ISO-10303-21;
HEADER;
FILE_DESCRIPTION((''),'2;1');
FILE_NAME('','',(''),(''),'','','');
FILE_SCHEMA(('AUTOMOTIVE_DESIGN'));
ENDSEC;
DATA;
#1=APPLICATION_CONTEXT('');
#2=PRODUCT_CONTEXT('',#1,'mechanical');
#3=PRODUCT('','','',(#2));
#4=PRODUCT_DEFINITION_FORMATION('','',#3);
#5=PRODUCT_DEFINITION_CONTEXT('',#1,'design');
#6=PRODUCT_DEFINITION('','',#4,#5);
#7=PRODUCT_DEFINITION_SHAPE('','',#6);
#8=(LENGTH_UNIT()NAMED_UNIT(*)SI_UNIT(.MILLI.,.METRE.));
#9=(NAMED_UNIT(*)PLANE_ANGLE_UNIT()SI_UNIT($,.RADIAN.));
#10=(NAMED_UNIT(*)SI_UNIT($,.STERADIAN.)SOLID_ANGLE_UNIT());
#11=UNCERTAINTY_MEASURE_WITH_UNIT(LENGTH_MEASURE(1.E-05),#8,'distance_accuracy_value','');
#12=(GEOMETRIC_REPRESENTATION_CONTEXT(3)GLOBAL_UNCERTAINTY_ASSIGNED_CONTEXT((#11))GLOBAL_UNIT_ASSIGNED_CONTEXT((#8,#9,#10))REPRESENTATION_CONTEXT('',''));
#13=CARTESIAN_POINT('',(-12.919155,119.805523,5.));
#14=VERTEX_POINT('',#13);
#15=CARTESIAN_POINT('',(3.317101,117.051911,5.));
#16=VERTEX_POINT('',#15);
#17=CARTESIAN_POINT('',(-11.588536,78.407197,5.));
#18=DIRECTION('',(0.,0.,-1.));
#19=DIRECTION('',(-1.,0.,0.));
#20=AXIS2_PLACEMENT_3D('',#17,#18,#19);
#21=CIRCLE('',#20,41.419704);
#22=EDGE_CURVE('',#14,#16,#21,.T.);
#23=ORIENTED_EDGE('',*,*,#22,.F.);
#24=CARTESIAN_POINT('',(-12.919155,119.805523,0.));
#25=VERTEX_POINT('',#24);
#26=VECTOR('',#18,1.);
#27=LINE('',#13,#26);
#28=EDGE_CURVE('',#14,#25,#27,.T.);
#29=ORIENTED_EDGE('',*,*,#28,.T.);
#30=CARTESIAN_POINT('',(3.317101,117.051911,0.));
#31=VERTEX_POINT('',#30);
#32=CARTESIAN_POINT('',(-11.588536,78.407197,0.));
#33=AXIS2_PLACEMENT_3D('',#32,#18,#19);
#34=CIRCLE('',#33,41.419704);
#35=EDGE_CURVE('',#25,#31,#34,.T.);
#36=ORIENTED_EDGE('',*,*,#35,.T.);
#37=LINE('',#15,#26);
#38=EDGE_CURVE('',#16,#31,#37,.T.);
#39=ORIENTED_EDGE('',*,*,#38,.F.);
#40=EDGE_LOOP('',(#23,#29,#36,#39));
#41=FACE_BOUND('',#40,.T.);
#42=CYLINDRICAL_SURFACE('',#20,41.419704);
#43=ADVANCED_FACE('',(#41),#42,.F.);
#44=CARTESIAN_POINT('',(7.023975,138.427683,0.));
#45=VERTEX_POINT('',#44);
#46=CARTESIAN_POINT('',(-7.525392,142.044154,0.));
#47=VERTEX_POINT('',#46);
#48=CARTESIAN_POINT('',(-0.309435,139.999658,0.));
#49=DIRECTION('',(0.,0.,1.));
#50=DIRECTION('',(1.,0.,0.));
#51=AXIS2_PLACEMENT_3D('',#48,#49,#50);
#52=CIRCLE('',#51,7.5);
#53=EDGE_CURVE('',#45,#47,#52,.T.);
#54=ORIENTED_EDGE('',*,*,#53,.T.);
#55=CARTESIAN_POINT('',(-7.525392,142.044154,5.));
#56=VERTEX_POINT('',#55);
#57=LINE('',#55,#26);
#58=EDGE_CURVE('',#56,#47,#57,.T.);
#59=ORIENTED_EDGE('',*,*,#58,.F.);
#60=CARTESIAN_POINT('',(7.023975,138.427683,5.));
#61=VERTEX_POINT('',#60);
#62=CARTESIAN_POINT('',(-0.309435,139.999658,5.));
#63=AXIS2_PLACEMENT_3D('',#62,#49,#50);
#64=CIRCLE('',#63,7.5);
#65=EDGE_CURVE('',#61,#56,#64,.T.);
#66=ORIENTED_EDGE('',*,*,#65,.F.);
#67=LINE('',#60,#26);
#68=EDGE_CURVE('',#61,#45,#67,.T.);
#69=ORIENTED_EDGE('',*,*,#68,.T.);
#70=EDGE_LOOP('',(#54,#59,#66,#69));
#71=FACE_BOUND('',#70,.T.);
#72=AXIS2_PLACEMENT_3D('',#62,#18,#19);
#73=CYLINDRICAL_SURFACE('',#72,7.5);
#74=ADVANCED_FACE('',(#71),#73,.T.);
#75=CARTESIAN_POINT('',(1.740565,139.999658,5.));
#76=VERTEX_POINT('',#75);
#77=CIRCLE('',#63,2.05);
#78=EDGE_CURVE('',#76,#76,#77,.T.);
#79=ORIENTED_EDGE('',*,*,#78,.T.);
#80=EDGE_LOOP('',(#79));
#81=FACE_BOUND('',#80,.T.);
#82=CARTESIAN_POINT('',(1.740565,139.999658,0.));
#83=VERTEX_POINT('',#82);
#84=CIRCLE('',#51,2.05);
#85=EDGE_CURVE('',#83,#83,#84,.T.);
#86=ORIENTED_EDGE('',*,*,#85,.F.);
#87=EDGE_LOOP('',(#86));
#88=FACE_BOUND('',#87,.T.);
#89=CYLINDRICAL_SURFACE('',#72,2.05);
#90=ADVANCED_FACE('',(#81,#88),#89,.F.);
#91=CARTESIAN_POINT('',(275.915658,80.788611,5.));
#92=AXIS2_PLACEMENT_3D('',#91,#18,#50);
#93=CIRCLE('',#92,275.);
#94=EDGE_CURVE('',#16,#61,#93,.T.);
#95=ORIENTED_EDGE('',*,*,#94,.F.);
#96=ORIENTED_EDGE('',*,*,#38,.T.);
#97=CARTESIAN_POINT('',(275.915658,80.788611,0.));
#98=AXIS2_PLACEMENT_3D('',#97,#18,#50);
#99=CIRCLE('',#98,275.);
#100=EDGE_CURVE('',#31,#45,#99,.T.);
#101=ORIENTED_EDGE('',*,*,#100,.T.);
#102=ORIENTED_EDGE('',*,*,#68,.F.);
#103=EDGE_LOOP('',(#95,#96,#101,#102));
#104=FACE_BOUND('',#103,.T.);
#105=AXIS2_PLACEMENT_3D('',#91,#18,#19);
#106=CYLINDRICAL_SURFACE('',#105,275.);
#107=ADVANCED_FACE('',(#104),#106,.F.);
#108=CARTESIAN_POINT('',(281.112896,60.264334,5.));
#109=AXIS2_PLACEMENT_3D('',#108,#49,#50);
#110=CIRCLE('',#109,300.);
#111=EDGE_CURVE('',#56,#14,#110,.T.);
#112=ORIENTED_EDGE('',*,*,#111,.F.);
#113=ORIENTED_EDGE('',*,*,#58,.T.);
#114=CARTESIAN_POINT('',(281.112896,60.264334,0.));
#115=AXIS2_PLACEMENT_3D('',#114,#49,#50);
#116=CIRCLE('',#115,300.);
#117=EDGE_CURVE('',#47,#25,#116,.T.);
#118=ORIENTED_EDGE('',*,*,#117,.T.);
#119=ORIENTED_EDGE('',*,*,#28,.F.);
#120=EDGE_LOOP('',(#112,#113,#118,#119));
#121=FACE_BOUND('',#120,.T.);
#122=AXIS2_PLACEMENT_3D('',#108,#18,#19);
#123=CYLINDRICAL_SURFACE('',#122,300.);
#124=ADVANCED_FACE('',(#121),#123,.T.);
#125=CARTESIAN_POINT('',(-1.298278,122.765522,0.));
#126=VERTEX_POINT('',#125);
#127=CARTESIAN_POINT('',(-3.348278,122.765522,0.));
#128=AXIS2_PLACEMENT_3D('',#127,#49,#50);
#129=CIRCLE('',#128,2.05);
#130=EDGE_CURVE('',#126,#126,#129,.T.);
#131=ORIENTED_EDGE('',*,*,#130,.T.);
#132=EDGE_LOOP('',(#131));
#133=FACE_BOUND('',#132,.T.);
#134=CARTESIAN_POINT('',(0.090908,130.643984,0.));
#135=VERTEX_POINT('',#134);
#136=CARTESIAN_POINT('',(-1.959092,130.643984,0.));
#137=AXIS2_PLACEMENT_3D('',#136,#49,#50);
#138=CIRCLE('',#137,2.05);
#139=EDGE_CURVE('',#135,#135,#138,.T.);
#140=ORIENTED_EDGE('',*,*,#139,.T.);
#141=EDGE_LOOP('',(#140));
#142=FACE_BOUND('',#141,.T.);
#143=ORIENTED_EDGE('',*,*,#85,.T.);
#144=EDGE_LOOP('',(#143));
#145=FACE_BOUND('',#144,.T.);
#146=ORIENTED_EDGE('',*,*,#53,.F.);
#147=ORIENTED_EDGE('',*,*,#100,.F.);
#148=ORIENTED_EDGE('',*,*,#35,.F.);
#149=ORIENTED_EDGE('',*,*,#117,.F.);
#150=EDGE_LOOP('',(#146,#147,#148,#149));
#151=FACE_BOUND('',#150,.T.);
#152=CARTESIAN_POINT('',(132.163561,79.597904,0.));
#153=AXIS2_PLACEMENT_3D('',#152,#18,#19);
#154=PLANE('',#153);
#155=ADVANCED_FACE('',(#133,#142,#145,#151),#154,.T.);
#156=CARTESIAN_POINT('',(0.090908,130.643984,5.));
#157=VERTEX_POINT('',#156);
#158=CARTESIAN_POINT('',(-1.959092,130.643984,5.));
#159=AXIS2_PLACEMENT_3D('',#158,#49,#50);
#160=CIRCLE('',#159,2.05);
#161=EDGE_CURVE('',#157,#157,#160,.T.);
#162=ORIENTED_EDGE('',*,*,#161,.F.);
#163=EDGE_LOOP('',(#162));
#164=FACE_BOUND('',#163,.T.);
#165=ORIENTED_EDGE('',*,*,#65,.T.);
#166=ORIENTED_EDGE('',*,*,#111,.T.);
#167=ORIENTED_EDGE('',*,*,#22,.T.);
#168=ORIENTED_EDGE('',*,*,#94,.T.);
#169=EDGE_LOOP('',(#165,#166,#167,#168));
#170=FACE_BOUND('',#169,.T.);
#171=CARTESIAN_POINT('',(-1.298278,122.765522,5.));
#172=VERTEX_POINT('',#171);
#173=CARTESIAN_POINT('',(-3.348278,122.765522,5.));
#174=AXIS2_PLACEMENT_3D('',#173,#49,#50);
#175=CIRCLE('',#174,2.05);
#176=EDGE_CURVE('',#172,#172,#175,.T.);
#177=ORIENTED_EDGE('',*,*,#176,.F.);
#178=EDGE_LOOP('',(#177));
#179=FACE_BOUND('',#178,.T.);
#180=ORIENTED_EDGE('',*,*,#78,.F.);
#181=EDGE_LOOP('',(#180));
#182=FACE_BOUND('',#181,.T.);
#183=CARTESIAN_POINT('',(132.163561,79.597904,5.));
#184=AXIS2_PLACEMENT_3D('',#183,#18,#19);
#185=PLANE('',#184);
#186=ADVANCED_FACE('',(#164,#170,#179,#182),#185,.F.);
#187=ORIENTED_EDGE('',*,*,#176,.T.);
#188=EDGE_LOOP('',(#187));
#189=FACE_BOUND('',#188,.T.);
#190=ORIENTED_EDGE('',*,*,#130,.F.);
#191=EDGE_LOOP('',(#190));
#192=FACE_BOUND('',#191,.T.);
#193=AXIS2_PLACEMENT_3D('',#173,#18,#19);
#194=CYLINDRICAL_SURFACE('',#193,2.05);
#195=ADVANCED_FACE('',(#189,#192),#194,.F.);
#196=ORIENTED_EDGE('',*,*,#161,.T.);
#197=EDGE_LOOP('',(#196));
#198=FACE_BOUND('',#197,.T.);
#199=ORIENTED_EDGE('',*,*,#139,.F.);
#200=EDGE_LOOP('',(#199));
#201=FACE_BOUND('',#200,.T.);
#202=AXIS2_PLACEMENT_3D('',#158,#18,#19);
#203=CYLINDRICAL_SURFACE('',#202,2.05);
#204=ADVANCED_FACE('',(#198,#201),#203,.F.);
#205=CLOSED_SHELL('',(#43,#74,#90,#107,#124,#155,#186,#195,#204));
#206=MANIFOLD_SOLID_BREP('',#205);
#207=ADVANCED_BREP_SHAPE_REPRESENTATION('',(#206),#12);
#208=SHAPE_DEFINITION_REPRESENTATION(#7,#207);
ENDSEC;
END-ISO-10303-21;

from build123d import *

# Parameters (mm, degrees)
SCHIZZO1_R                   = 2.05
ESTRUSIONE_ESTRUSIONE1_DEPTH = 5


with BuildPart() as part:
    # Schizzo1 → Estrusione-Estrusione1 (new body)
    with BuildSketch(Plane.XY):
        with BuildLine():
            ThreePointArc((7.023974797, 138.427683332), (1.499753731, 147.278176914), (-7.525391936, 142.044153534))
            ThreePointArc((-7.525391936, 142.044153534), (-10.43439027, 130.976285076), (-12.919154962, 119.805522885))
            ThreePointArc((-12.919154962, 119.805522885), (-4.662795864, 119.243774443), (3.317101425, 117.051910825))
            ThreePointArc((3.317101425, 117.051910825), (4.959663683, 127.776365806), (7.023974797, 138.427683332))
        make_face()
        with Locations((-0.309434746, 139.999658036)):
            Circle(SCHIZZO1_R, mode=Mode.SUBTRACT)
        with Locations((-1.959092434, 130.643984382)):
            Circle(SCHIZZO1_R, mode=Mode.SUBTRACT)
        with Locations((-3.348277855, 122.765522358)):
            Circle(SCHIZZO1_R, mode=Mode.SUBTRACT)
    extrude(amount=ESTRUSIONE_ESTRUSIONE1_DEPTH)


solid = part.part
